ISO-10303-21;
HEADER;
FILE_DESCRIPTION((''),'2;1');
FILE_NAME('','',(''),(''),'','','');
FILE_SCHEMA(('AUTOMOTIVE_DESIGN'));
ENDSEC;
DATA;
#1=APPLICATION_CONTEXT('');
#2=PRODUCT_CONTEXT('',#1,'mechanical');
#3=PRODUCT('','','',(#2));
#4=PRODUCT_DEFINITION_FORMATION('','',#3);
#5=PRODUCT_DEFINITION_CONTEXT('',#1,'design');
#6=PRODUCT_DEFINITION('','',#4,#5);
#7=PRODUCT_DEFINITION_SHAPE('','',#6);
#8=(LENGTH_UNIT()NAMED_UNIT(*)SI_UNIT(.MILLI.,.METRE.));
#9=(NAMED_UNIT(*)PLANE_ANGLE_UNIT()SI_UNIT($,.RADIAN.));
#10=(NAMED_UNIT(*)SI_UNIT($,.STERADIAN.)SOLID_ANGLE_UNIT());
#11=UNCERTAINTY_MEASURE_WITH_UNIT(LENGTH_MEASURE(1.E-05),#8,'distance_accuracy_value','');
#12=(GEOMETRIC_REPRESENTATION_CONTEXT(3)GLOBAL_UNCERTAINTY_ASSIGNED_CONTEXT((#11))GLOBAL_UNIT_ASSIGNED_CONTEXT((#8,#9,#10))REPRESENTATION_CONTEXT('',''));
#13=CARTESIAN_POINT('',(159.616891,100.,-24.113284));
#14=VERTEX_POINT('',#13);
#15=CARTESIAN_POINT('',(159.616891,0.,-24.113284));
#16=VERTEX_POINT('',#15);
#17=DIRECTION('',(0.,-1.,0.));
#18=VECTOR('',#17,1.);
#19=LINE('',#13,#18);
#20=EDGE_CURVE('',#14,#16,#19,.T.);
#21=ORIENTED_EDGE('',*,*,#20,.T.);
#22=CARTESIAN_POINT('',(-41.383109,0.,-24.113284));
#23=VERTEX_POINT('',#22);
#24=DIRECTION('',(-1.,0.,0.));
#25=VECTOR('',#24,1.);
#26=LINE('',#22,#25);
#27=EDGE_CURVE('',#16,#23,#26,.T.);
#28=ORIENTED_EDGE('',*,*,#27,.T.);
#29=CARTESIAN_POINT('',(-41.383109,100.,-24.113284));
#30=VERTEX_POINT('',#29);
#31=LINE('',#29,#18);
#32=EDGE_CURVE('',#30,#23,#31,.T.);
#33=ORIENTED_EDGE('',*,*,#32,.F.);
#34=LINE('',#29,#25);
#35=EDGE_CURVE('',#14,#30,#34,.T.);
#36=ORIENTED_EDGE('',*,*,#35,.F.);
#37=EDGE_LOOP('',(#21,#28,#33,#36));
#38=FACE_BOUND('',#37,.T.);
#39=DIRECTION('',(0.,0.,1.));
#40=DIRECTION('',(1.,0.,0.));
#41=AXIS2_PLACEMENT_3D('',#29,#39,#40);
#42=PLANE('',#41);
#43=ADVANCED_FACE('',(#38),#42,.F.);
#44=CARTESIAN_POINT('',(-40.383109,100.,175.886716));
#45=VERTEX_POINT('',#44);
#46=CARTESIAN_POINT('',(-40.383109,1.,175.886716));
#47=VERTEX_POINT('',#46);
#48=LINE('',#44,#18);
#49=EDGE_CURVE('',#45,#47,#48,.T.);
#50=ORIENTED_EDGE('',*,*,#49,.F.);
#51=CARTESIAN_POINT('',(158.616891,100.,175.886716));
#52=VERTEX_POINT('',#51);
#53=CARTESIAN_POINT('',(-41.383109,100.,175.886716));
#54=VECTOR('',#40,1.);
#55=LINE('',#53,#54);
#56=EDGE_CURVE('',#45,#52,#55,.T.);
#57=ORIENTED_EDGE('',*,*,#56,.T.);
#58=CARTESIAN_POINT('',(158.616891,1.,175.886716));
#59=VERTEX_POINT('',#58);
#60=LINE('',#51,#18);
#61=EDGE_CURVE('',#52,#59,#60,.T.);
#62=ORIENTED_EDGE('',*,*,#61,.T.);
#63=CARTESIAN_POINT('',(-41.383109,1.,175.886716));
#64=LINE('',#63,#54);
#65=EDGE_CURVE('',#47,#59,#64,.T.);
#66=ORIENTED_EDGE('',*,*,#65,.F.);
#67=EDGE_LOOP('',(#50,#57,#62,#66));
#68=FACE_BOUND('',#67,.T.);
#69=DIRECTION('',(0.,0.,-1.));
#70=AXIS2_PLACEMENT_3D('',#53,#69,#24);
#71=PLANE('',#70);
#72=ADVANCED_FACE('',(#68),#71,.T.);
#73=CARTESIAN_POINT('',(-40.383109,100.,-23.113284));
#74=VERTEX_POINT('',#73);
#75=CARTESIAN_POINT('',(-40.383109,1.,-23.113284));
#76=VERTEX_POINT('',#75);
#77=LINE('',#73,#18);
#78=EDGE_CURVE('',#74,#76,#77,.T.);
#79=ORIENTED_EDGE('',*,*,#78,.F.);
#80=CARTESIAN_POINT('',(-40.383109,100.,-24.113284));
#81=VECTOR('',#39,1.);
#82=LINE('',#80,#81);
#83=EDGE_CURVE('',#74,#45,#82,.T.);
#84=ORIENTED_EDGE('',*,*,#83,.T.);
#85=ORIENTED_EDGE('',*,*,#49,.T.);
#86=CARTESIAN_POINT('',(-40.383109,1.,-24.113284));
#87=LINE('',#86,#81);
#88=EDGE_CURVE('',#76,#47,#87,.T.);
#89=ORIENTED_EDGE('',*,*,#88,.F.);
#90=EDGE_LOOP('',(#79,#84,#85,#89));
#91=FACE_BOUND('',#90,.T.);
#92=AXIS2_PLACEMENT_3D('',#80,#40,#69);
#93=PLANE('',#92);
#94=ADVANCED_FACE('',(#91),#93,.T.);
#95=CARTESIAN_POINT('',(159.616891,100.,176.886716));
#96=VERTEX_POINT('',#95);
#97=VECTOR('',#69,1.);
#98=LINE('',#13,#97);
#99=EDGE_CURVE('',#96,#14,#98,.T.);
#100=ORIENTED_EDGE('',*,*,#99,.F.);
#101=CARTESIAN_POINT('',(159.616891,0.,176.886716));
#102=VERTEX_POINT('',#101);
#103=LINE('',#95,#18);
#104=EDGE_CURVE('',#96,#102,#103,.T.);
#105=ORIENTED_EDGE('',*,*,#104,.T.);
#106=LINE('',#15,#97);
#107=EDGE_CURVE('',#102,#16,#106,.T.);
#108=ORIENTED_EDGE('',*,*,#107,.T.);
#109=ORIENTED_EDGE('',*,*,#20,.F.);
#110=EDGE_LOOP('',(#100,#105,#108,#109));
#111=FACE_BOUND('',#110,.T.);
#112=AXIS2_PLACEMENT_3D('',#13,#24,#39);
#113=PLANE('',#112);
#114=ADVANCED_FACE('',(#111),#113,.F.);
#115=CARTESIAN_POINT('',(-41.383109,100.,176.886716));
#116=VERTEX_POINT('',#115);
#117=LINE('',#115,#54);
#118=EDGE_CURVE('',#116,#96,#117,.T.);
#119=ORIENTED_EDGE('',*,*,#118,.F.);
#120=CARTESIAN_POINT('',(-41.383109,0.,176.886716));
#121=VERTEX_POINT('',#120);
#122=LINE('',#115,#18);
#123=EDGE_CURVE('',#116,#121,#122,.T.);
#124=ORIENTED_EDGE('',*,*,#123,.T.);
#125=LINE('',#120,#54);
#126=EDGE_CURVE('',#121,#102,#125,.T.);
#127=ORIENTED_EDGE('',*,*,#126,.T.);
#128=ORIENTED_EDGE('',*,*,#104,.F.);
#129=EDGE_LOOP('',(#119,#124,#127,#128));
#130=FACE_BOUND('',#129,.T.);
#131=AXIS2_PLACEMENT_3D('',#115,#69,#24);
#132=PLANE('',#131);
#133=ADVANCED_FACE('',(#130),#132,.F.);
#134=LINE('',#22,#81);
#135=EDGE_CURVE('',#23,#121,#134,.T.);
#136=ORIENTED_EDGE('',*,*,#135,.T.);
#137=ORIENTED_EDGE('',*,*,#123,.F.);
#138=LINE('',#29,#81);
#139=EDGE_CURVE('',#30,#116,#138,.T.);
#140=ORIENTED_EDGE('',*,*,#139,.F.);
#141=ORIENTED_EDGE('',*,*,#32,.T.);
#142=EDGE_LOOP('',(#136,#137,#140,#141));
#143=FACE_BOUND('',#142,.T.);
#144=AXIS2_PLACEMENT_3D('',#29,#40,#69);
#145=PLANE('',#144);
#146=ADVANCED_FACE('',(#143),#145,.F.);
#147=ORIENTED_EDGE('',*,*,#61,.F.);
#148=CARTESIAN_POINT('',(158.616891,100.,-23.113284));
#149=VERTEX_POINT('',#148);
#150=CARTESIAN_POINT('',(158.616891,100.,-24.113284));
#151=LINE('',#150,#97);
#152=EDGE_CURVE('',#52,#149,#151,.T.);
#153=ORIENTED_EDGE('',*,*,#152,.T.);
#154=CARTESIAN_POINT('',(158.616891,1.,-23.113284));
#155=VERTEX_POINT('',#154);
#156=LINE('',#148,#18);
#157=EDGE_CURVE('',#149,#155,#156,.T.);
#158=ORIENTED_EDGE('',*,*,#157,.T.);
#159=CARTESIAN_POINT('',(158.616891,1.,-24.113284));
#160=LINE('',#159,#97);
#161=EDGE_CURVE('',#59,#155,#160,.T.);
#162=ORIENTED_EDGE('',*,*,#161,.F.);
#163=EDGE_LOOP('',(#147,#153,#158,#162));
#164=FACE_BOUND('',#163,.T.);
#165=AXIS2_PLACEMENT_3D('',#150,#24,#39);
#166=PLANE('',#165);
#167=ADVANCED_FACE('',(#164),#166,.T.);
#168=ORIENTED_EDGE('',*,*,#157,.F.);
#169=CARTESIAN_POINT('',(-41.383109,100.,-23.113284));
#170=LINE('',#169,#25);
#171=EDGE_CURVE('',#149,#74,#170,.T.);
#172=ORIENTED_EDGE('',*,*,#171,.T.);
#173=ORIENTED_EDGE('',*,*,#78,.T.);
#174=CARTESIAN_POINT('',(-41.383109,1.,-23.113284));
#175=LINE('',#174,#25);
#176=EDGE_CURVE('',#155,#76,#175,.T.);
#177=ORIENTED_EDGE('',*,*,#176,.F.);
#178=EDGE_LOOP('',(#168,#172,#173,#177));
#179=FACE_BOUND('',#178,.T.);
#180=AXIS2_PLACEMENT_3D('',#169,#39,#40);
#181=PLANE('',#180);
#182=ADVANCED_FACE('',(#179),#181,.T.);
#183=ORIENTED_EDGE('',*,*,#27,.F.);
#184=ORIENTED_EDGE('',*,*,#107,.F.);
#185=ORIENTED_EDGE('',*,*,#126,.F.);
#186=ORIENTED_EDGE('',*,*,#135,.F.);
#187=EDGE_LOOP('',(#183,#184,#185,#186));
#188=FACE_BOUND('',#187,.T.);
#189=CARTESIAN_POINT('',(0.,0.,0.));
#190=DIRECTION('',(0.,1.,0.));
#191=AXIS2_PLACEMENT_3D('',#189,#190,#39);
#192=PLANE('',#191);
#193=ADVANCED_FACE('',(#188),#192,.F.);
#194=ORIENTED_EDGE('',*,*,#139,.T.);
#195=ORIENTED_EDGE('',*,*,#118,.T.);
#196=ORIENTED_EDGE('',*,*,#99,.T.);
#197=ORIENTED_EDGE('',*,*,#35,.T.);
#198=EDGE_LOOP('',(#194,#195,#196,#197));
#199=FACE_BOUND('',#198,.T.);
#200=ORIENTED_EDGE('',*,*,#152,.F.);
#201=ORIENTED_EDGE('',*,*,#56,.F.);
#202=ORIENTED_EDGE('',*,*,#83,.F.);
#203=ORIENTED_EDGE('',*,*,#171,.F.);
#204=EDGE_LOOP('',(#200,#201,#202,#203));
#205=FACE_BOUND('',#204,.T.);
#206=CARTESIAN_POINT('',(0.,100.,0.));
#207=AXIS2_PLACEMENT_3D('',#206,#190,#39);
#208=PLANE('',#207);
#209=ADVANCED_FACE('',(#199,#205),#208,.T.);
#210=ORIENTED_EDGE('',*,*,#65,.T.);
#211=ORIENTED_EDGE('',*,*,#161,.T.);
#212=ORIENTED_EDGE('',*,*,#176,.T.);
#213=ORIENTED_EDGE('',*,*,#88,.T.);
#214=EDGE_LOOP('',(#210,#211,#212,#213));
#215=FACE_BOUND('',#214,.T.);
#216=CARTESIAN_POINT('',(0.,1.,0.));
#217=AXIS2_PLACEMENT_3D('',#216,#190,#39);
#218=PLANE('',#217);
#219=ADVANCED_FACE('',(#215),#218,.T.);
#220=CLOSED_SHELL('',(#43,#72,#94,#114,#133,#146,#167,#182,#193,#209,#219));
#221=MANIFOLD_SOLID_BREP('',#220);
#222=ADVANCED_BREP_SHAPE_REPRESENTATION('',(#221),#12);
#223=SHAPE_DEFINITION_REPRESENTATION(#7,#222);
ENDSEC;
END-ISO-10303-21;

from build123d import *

# Parameters (mm, degrees)
CROQUIS1_W              = 201
CROQUIS1_H              = 201
SALIENTE_EXTRUIR1_DEPTH = 100
VACIADO1_T              = -1


with BuildPart() as part:
    # Croquis1 → Saliente-Extruir1 (new body)
    with BuildSketch(Plane(origin=(0, 0, 0), x_dir=(1, 0, 0), z_dir=(0, 1, 0))):
        with Locations((59.116890843, -76.386715501)):
            Rectangle(CROQUIS1_W, CROQUIS1_H)
    extrude(amount=SALIENTE_EXTRUIR1_DEPTH)

    # Vaciado1
    vaciado1_openings = [part.faces().sort_by_distance(p)[0] for p in [
        (59.116890843, 100, 76.386715501),
    ]]
    offset(amount=VACIADO1_T, openings=vaciado1_openings, kind=Kind.INTERSECTION)


solid = part.part
